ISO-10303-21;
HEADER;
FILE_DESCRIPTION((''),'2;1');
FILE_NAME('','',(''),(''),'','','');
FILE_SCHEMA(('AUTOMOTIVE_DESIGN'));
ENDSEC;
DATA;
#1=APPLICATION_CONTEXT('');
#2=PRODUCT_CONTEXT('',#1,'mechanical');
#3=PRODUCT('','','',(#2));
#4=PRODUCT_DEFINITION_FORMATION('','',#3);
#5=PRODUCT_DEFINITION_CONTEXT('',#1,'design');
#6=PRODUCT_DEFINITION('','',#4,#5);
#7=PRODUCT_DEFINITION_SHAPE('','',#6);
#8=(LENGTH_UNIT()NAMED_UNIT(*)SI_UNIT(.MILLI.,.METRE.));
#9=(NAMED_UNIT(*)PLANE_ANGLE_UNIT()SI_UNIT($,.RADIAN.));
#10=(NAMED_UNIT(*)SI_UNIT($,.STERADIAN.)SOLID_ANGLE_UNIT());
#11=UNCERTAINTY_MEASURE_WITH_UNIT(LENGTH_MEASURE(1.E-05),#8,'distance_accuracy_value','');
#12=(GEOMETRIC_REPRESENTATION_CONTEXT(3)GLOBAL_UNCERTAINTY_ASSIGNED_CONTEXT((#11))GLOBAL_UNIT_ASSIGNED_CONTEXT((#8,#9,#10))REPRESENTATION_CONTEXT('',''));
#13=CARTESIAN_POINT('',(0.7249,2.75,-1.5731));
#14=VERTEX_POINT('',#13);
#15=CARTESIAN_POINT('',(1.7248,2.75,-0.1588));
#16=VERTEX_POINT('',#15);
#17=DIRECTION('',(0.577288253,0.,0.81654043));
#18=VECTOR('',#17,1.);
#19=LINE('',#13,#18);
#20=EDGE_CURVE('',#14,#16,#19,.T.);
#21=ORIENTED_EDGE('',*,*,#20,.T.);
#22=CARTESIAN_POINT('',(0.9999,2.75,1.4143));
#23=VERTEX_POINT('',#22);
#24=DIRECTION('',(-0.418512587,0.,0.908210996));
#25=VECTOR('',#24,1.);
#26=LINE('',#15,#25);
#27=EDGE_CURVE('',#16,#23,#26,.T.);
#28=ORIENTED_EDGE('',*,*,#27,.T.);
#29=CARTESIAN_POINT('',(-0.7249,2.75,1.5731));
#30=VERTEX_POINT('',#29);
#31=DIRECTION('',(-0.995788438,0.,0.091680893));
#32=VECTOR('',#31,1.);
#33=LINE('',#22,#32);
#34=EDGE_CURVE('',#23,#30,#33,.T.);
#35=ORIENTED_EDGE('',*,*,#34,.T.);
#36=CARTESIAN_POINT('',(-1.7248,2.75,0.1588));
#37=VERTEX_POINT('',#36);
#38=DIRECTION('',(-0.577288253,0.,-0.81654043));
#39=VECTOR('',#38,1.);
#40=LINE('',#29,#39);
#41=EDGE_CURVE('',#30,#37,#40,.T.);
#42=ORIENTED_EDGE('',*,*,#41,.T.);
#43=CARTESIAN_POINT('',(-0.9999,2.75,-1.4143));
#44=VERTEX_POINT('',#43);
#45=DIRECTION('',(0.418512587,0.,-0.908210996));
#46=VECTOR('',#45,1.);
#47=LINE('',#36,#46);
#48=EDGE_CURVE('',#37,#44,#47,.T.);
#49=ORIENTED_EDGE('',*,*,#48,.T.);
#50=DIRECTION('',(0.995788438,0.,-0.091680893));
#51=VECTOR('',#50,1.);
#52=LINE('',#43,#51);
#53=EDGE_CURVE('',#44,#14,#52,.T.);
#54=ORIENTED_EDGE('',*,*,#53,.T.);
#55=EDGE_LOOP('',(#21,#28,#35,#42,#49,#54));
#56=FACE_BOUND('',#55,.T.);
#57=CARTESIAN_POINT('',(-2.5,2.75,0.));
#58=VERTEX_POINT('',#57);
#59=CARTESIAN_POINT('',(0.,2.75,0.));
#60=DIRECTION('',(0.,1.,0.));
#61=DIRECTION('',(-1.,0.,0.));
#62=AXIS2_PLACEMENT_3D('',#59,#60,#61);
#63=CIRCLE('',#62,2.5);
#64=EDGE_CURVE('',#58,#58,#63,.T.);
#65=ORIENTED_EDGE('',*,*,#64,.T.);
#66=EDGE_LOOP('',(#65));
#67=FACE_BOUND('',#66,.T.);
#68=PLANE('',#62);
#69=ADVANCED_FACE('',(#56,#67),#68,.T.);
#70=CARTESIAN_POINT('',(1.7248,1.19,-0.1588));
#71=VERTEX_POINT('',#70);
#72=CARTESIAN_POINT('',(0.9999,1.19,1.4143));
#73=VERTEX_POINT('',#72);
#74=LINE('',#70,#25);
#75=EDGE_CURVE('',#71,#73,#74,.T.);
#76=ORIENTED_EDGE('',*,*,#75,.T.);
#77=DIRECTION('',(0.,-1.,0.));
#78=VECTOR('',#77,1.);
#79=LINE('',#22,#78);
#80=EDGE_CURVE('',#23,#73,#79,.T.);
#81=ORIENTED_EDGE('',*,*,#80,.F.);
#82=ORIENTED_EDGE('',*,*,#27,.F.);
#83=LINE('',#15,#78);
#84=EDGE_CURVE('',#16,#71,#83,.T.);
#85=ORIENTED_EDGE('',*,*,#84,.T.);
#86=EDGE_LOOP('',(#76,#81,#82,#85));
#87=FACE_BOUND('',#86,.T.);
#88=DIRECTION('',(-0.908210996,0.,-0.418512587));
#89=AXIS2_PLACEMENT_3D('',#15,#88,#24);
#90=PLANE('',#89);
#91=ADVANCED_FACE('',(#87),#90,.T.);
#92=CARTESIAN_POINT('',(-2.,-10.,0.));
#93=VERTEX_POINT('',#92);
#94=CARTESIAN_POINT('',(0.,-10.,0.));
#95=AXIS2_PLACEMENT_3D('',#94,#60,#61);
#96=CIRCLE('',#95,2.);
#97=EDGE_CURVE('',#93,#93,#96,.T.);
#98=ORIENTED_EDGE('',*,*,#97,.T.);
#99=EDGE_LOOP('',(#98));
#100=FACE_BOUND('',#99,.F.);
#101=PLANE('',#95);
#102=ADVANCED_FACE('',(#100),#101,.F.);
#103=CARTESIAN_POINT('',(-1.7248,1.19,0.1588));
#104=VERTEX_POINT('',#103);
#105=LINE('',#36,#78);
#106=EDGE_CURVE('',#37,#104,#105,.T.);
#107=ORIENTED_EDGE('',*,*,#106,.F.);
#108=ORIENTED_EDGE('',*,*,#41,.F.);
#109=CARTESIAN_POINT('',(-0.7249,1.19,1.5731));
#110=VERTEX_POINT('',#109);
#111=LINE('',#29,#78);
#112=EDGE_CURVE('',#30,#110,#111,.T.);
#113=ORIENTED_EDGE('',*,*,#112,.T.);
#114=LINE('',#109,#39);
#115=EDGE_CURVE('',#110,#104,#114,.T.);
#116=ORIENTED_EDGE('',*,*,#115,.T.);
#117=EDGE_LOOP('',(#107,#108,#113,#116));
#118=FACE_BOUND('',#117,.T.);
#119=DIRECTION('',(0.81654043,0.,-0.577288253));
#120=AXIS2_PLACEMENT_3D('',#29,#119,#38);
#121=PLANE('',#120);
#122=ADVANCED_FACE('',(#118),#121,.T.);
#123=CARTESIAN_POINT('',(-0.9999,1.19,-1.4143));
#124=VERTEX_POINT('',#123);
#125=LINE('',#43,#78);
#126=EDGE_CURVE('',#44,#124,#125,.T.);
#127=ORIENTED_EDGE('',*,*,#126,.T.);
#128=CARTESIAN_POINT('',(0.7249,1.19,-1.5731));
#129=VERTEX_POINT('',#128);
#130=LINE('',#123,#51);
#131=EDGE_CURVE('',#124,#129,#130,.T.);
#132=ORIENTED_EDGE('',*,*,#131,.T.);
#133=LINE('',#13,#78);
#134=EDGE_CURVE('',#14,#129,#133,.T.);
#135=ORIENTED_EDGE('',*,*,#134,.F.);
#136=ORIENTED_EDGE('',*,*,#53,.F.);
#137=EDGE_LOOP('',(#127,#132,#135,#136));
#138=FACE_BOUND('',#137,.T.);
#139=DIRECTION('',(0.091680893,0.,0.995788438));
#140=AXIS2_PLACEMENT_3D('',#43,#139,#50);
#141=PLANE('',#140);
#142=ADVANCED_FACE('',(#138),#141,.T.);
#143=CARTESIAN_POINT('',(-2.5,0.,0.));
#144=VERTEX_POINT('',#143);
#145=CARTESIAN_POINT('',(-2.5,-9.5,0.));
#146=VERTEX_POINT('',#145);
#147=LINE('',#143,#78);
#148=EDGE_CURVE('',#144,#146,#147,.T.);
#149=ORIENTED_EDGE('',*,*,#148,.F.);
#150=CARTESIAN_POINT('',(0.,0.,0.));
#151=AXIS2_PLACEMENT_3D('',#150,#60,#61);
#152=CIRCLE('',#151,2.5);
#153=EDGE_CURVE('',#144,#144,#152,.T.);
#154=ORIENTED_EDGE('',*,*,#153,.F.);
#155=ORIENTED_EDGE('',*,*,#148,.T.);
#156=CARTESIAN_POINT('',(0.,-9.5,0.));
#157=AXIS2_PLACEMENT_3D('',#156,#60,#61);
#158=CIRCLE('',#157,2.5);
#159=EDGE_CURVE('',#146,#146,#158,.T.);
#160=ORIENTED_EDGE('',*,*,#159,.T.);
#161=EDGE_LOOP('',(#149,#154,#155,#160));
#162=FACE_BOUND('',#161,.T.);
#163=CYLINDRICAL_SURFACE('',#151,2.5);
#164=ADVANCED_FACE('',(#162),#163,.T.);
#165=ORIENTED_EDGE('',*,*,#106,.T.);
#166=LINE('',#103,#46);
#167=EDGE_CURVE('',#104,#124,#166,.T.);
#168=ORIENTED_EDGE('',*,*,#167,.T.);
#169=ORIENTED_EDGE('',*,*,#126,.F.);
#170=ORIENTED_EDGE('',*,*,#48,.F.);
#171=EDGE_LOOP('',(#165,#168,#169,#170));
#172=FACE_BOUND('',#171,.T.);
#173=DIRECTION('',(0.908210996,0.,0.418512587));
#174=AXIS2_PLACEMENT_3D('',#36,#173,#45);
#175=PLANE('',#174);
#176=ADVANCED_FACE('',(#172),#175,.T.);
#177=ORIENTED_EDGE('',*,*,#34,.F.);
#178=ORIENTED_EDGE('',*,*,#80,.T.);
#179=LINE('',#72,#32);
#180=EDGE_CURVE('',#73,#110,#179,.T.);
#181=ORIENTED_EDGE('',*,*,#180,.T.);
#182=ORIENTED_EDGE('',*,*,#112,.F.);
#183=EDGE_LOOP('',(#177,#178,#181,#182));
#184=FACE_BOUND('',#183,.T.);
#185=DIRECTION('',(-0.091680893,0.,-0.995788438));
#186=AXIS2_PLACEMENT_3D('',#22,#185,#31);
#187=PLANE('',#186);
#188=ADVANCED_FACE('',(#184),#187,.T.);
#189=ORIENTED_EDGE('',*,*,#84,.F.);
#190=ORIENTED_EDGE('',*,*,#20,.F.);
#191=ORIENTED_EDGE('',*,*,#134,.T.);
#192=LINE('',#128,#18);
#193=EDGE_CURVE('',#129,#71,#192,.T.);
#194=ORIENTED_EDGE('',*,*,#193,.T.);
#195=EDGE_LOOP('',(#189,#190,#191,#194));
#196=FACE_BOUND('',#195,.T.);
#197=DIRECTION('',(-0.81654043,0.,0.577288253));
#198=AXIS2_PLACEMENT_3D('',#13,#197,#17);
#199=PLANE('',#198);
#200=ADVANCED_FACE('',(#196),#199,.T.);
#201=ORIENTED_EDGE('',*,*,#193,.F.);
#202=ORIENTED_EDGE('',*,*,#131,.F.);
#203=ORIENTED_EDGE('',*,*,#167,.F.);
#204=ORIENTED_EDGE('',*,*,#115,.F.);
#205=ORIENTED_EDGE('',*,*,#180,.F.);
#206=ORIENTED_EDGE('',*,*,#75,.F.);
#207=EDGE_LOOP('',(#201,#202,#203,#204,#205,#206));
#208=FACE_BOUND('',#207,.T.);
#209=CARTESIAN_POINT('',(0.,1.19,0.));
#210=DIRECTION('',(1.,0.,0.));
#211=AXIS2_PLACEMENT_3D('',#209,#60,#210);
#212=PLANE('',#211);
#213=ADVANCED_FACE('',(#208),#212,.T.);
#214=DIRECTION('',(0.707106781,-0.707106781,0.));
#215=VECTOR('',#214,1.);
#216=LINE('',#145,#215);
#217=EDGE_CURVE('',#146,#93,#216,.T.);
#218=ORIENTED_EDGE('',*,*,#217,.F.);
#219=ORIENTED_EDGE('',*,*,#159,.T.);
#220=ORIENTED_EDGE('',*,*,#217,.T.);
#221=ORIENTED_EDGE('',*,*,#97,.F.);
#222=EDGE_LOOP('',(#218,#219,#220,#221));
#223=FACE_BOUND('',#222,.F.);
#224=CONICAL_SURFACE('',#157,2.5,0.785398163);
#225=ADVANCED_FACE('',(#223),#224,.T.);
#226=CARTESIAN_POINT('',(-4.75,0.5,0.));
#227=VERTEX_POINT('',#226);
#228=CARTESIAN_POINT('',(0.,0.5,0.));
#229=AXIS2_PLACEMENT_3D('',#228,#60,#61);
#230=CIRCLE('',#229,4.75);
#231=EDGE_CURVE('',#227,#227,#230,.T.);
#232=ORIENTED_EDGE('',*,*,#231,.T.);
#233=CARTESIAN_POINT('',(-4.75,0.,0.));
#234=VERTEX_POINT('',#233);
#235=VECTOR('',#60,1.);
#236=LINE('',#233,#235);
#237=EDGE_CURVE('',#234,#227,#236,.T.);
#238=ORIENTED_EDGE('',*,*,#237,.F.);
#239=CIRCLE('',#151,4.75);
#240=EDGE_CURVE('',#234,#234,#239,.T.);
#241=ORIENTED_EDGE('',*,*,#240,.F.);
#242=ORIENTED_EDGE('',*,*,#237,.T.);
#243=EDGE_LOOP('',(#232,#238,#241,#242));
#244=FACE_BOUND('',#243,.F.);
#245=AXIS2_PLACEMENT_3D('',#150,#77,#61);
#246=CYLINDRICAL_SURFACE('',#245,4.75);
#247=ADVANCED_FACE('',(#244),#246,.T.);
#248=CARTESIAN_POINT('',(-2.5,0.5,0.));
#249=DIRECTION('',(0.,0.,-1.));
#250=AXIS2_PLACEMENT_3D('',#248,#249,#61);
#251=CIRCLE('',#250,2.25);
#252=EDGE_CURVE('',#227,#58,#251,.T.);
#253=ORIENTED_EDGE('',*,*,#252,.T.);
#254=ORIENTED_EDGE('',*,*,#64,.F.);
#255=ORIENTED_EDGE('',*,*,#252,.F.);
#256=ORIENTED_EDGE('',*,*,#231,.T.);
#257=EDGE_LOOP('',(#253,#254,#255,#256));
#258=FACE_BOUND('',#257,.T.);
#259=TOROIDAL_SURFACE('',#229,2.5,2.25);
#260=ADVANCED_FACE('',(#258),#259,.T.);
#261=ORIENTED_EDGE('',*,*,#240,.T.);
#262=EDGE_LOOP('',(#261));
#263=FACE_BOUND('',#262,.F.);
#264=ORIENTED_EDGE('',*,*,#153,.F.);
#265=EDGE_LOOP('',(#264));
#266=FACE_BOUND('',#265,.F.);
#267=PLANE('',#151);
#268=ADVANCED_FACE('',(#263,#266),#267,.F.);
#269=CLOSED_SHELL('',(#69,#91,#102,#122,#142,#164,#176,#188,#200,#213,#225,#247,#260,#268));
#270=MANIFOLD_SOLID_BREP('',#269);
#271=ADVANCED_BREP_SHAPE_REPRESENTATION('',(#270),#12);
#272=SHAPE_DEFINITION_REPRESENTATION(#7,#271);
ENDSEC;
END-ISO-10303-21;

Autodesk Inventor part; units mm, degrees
ref_plane "YZ Plane" through (0, 0, 0) normal (1, 0, 0) x (0, 1, 0)
ref_plane "XZ Plane" through (0, 0, 0) normal (0, 1, 0) x (-1, 0, 0)
ref_plane "XY Plane" through (0, 0, 0) normal (0, 0, 1) x (1, 0, 0)
sketch "Boceto1" plane through (0, 0, 0) normal (0, 1, 0) x (-1, 0, 0)
  circle A0 centre (0, 0) radius 2.5
  circle A1 centre (0, 0) radius 4.75
  dimension "d0" = 5
  dimension "d1" = 9.5
extrude "Extrusión1" add sketch "Boceto1" along normal blind 2.75 contours A0 | A1
extrude "Extrusión2" add sketch "Boceto1" against normal blind 10 contours A0
thread "Rosca1" size "M5x0.8" class "6g" standard "ISO Metric profile" length 100
fillet "Empalme1" radius 2.25 1 edges at (4.75, 2.75, 0)
sketch "Boceto2" plane through (0, 2.75, 0) normal (0, 1, 0) x (1, 0, 0)
  line L0 (0.7249, 1.5731) -> (1.7248, 0.1588)
  line L1 (1.7248, 0.1588) -> (0.9999, -1.4143)
  line L2 (0.9999, -1.4143) -> (-0.7249, -1.5731)
  line L3 (-0.7249, -1.5731) -> (-1.7248, -0.1588)
  line L4 (-1.7248, -0.1588) -> (-0.9999, 1.4143)
  line L5 (-0.9999, 1.4143) -> (0.7249, 1.5731)
  point P0 (0, 0)
  point P1 (0, 0)
  dimension "d9" = 3
extrude "Extrusión3" cut sketch "Boceto2" against normal blind 1.56
chamfer "Chaflán1" distance 0.5 angle 45 1 edges at (2.5, -10, 0)
properties part number "Tornillo allen cabeza boton M5"
